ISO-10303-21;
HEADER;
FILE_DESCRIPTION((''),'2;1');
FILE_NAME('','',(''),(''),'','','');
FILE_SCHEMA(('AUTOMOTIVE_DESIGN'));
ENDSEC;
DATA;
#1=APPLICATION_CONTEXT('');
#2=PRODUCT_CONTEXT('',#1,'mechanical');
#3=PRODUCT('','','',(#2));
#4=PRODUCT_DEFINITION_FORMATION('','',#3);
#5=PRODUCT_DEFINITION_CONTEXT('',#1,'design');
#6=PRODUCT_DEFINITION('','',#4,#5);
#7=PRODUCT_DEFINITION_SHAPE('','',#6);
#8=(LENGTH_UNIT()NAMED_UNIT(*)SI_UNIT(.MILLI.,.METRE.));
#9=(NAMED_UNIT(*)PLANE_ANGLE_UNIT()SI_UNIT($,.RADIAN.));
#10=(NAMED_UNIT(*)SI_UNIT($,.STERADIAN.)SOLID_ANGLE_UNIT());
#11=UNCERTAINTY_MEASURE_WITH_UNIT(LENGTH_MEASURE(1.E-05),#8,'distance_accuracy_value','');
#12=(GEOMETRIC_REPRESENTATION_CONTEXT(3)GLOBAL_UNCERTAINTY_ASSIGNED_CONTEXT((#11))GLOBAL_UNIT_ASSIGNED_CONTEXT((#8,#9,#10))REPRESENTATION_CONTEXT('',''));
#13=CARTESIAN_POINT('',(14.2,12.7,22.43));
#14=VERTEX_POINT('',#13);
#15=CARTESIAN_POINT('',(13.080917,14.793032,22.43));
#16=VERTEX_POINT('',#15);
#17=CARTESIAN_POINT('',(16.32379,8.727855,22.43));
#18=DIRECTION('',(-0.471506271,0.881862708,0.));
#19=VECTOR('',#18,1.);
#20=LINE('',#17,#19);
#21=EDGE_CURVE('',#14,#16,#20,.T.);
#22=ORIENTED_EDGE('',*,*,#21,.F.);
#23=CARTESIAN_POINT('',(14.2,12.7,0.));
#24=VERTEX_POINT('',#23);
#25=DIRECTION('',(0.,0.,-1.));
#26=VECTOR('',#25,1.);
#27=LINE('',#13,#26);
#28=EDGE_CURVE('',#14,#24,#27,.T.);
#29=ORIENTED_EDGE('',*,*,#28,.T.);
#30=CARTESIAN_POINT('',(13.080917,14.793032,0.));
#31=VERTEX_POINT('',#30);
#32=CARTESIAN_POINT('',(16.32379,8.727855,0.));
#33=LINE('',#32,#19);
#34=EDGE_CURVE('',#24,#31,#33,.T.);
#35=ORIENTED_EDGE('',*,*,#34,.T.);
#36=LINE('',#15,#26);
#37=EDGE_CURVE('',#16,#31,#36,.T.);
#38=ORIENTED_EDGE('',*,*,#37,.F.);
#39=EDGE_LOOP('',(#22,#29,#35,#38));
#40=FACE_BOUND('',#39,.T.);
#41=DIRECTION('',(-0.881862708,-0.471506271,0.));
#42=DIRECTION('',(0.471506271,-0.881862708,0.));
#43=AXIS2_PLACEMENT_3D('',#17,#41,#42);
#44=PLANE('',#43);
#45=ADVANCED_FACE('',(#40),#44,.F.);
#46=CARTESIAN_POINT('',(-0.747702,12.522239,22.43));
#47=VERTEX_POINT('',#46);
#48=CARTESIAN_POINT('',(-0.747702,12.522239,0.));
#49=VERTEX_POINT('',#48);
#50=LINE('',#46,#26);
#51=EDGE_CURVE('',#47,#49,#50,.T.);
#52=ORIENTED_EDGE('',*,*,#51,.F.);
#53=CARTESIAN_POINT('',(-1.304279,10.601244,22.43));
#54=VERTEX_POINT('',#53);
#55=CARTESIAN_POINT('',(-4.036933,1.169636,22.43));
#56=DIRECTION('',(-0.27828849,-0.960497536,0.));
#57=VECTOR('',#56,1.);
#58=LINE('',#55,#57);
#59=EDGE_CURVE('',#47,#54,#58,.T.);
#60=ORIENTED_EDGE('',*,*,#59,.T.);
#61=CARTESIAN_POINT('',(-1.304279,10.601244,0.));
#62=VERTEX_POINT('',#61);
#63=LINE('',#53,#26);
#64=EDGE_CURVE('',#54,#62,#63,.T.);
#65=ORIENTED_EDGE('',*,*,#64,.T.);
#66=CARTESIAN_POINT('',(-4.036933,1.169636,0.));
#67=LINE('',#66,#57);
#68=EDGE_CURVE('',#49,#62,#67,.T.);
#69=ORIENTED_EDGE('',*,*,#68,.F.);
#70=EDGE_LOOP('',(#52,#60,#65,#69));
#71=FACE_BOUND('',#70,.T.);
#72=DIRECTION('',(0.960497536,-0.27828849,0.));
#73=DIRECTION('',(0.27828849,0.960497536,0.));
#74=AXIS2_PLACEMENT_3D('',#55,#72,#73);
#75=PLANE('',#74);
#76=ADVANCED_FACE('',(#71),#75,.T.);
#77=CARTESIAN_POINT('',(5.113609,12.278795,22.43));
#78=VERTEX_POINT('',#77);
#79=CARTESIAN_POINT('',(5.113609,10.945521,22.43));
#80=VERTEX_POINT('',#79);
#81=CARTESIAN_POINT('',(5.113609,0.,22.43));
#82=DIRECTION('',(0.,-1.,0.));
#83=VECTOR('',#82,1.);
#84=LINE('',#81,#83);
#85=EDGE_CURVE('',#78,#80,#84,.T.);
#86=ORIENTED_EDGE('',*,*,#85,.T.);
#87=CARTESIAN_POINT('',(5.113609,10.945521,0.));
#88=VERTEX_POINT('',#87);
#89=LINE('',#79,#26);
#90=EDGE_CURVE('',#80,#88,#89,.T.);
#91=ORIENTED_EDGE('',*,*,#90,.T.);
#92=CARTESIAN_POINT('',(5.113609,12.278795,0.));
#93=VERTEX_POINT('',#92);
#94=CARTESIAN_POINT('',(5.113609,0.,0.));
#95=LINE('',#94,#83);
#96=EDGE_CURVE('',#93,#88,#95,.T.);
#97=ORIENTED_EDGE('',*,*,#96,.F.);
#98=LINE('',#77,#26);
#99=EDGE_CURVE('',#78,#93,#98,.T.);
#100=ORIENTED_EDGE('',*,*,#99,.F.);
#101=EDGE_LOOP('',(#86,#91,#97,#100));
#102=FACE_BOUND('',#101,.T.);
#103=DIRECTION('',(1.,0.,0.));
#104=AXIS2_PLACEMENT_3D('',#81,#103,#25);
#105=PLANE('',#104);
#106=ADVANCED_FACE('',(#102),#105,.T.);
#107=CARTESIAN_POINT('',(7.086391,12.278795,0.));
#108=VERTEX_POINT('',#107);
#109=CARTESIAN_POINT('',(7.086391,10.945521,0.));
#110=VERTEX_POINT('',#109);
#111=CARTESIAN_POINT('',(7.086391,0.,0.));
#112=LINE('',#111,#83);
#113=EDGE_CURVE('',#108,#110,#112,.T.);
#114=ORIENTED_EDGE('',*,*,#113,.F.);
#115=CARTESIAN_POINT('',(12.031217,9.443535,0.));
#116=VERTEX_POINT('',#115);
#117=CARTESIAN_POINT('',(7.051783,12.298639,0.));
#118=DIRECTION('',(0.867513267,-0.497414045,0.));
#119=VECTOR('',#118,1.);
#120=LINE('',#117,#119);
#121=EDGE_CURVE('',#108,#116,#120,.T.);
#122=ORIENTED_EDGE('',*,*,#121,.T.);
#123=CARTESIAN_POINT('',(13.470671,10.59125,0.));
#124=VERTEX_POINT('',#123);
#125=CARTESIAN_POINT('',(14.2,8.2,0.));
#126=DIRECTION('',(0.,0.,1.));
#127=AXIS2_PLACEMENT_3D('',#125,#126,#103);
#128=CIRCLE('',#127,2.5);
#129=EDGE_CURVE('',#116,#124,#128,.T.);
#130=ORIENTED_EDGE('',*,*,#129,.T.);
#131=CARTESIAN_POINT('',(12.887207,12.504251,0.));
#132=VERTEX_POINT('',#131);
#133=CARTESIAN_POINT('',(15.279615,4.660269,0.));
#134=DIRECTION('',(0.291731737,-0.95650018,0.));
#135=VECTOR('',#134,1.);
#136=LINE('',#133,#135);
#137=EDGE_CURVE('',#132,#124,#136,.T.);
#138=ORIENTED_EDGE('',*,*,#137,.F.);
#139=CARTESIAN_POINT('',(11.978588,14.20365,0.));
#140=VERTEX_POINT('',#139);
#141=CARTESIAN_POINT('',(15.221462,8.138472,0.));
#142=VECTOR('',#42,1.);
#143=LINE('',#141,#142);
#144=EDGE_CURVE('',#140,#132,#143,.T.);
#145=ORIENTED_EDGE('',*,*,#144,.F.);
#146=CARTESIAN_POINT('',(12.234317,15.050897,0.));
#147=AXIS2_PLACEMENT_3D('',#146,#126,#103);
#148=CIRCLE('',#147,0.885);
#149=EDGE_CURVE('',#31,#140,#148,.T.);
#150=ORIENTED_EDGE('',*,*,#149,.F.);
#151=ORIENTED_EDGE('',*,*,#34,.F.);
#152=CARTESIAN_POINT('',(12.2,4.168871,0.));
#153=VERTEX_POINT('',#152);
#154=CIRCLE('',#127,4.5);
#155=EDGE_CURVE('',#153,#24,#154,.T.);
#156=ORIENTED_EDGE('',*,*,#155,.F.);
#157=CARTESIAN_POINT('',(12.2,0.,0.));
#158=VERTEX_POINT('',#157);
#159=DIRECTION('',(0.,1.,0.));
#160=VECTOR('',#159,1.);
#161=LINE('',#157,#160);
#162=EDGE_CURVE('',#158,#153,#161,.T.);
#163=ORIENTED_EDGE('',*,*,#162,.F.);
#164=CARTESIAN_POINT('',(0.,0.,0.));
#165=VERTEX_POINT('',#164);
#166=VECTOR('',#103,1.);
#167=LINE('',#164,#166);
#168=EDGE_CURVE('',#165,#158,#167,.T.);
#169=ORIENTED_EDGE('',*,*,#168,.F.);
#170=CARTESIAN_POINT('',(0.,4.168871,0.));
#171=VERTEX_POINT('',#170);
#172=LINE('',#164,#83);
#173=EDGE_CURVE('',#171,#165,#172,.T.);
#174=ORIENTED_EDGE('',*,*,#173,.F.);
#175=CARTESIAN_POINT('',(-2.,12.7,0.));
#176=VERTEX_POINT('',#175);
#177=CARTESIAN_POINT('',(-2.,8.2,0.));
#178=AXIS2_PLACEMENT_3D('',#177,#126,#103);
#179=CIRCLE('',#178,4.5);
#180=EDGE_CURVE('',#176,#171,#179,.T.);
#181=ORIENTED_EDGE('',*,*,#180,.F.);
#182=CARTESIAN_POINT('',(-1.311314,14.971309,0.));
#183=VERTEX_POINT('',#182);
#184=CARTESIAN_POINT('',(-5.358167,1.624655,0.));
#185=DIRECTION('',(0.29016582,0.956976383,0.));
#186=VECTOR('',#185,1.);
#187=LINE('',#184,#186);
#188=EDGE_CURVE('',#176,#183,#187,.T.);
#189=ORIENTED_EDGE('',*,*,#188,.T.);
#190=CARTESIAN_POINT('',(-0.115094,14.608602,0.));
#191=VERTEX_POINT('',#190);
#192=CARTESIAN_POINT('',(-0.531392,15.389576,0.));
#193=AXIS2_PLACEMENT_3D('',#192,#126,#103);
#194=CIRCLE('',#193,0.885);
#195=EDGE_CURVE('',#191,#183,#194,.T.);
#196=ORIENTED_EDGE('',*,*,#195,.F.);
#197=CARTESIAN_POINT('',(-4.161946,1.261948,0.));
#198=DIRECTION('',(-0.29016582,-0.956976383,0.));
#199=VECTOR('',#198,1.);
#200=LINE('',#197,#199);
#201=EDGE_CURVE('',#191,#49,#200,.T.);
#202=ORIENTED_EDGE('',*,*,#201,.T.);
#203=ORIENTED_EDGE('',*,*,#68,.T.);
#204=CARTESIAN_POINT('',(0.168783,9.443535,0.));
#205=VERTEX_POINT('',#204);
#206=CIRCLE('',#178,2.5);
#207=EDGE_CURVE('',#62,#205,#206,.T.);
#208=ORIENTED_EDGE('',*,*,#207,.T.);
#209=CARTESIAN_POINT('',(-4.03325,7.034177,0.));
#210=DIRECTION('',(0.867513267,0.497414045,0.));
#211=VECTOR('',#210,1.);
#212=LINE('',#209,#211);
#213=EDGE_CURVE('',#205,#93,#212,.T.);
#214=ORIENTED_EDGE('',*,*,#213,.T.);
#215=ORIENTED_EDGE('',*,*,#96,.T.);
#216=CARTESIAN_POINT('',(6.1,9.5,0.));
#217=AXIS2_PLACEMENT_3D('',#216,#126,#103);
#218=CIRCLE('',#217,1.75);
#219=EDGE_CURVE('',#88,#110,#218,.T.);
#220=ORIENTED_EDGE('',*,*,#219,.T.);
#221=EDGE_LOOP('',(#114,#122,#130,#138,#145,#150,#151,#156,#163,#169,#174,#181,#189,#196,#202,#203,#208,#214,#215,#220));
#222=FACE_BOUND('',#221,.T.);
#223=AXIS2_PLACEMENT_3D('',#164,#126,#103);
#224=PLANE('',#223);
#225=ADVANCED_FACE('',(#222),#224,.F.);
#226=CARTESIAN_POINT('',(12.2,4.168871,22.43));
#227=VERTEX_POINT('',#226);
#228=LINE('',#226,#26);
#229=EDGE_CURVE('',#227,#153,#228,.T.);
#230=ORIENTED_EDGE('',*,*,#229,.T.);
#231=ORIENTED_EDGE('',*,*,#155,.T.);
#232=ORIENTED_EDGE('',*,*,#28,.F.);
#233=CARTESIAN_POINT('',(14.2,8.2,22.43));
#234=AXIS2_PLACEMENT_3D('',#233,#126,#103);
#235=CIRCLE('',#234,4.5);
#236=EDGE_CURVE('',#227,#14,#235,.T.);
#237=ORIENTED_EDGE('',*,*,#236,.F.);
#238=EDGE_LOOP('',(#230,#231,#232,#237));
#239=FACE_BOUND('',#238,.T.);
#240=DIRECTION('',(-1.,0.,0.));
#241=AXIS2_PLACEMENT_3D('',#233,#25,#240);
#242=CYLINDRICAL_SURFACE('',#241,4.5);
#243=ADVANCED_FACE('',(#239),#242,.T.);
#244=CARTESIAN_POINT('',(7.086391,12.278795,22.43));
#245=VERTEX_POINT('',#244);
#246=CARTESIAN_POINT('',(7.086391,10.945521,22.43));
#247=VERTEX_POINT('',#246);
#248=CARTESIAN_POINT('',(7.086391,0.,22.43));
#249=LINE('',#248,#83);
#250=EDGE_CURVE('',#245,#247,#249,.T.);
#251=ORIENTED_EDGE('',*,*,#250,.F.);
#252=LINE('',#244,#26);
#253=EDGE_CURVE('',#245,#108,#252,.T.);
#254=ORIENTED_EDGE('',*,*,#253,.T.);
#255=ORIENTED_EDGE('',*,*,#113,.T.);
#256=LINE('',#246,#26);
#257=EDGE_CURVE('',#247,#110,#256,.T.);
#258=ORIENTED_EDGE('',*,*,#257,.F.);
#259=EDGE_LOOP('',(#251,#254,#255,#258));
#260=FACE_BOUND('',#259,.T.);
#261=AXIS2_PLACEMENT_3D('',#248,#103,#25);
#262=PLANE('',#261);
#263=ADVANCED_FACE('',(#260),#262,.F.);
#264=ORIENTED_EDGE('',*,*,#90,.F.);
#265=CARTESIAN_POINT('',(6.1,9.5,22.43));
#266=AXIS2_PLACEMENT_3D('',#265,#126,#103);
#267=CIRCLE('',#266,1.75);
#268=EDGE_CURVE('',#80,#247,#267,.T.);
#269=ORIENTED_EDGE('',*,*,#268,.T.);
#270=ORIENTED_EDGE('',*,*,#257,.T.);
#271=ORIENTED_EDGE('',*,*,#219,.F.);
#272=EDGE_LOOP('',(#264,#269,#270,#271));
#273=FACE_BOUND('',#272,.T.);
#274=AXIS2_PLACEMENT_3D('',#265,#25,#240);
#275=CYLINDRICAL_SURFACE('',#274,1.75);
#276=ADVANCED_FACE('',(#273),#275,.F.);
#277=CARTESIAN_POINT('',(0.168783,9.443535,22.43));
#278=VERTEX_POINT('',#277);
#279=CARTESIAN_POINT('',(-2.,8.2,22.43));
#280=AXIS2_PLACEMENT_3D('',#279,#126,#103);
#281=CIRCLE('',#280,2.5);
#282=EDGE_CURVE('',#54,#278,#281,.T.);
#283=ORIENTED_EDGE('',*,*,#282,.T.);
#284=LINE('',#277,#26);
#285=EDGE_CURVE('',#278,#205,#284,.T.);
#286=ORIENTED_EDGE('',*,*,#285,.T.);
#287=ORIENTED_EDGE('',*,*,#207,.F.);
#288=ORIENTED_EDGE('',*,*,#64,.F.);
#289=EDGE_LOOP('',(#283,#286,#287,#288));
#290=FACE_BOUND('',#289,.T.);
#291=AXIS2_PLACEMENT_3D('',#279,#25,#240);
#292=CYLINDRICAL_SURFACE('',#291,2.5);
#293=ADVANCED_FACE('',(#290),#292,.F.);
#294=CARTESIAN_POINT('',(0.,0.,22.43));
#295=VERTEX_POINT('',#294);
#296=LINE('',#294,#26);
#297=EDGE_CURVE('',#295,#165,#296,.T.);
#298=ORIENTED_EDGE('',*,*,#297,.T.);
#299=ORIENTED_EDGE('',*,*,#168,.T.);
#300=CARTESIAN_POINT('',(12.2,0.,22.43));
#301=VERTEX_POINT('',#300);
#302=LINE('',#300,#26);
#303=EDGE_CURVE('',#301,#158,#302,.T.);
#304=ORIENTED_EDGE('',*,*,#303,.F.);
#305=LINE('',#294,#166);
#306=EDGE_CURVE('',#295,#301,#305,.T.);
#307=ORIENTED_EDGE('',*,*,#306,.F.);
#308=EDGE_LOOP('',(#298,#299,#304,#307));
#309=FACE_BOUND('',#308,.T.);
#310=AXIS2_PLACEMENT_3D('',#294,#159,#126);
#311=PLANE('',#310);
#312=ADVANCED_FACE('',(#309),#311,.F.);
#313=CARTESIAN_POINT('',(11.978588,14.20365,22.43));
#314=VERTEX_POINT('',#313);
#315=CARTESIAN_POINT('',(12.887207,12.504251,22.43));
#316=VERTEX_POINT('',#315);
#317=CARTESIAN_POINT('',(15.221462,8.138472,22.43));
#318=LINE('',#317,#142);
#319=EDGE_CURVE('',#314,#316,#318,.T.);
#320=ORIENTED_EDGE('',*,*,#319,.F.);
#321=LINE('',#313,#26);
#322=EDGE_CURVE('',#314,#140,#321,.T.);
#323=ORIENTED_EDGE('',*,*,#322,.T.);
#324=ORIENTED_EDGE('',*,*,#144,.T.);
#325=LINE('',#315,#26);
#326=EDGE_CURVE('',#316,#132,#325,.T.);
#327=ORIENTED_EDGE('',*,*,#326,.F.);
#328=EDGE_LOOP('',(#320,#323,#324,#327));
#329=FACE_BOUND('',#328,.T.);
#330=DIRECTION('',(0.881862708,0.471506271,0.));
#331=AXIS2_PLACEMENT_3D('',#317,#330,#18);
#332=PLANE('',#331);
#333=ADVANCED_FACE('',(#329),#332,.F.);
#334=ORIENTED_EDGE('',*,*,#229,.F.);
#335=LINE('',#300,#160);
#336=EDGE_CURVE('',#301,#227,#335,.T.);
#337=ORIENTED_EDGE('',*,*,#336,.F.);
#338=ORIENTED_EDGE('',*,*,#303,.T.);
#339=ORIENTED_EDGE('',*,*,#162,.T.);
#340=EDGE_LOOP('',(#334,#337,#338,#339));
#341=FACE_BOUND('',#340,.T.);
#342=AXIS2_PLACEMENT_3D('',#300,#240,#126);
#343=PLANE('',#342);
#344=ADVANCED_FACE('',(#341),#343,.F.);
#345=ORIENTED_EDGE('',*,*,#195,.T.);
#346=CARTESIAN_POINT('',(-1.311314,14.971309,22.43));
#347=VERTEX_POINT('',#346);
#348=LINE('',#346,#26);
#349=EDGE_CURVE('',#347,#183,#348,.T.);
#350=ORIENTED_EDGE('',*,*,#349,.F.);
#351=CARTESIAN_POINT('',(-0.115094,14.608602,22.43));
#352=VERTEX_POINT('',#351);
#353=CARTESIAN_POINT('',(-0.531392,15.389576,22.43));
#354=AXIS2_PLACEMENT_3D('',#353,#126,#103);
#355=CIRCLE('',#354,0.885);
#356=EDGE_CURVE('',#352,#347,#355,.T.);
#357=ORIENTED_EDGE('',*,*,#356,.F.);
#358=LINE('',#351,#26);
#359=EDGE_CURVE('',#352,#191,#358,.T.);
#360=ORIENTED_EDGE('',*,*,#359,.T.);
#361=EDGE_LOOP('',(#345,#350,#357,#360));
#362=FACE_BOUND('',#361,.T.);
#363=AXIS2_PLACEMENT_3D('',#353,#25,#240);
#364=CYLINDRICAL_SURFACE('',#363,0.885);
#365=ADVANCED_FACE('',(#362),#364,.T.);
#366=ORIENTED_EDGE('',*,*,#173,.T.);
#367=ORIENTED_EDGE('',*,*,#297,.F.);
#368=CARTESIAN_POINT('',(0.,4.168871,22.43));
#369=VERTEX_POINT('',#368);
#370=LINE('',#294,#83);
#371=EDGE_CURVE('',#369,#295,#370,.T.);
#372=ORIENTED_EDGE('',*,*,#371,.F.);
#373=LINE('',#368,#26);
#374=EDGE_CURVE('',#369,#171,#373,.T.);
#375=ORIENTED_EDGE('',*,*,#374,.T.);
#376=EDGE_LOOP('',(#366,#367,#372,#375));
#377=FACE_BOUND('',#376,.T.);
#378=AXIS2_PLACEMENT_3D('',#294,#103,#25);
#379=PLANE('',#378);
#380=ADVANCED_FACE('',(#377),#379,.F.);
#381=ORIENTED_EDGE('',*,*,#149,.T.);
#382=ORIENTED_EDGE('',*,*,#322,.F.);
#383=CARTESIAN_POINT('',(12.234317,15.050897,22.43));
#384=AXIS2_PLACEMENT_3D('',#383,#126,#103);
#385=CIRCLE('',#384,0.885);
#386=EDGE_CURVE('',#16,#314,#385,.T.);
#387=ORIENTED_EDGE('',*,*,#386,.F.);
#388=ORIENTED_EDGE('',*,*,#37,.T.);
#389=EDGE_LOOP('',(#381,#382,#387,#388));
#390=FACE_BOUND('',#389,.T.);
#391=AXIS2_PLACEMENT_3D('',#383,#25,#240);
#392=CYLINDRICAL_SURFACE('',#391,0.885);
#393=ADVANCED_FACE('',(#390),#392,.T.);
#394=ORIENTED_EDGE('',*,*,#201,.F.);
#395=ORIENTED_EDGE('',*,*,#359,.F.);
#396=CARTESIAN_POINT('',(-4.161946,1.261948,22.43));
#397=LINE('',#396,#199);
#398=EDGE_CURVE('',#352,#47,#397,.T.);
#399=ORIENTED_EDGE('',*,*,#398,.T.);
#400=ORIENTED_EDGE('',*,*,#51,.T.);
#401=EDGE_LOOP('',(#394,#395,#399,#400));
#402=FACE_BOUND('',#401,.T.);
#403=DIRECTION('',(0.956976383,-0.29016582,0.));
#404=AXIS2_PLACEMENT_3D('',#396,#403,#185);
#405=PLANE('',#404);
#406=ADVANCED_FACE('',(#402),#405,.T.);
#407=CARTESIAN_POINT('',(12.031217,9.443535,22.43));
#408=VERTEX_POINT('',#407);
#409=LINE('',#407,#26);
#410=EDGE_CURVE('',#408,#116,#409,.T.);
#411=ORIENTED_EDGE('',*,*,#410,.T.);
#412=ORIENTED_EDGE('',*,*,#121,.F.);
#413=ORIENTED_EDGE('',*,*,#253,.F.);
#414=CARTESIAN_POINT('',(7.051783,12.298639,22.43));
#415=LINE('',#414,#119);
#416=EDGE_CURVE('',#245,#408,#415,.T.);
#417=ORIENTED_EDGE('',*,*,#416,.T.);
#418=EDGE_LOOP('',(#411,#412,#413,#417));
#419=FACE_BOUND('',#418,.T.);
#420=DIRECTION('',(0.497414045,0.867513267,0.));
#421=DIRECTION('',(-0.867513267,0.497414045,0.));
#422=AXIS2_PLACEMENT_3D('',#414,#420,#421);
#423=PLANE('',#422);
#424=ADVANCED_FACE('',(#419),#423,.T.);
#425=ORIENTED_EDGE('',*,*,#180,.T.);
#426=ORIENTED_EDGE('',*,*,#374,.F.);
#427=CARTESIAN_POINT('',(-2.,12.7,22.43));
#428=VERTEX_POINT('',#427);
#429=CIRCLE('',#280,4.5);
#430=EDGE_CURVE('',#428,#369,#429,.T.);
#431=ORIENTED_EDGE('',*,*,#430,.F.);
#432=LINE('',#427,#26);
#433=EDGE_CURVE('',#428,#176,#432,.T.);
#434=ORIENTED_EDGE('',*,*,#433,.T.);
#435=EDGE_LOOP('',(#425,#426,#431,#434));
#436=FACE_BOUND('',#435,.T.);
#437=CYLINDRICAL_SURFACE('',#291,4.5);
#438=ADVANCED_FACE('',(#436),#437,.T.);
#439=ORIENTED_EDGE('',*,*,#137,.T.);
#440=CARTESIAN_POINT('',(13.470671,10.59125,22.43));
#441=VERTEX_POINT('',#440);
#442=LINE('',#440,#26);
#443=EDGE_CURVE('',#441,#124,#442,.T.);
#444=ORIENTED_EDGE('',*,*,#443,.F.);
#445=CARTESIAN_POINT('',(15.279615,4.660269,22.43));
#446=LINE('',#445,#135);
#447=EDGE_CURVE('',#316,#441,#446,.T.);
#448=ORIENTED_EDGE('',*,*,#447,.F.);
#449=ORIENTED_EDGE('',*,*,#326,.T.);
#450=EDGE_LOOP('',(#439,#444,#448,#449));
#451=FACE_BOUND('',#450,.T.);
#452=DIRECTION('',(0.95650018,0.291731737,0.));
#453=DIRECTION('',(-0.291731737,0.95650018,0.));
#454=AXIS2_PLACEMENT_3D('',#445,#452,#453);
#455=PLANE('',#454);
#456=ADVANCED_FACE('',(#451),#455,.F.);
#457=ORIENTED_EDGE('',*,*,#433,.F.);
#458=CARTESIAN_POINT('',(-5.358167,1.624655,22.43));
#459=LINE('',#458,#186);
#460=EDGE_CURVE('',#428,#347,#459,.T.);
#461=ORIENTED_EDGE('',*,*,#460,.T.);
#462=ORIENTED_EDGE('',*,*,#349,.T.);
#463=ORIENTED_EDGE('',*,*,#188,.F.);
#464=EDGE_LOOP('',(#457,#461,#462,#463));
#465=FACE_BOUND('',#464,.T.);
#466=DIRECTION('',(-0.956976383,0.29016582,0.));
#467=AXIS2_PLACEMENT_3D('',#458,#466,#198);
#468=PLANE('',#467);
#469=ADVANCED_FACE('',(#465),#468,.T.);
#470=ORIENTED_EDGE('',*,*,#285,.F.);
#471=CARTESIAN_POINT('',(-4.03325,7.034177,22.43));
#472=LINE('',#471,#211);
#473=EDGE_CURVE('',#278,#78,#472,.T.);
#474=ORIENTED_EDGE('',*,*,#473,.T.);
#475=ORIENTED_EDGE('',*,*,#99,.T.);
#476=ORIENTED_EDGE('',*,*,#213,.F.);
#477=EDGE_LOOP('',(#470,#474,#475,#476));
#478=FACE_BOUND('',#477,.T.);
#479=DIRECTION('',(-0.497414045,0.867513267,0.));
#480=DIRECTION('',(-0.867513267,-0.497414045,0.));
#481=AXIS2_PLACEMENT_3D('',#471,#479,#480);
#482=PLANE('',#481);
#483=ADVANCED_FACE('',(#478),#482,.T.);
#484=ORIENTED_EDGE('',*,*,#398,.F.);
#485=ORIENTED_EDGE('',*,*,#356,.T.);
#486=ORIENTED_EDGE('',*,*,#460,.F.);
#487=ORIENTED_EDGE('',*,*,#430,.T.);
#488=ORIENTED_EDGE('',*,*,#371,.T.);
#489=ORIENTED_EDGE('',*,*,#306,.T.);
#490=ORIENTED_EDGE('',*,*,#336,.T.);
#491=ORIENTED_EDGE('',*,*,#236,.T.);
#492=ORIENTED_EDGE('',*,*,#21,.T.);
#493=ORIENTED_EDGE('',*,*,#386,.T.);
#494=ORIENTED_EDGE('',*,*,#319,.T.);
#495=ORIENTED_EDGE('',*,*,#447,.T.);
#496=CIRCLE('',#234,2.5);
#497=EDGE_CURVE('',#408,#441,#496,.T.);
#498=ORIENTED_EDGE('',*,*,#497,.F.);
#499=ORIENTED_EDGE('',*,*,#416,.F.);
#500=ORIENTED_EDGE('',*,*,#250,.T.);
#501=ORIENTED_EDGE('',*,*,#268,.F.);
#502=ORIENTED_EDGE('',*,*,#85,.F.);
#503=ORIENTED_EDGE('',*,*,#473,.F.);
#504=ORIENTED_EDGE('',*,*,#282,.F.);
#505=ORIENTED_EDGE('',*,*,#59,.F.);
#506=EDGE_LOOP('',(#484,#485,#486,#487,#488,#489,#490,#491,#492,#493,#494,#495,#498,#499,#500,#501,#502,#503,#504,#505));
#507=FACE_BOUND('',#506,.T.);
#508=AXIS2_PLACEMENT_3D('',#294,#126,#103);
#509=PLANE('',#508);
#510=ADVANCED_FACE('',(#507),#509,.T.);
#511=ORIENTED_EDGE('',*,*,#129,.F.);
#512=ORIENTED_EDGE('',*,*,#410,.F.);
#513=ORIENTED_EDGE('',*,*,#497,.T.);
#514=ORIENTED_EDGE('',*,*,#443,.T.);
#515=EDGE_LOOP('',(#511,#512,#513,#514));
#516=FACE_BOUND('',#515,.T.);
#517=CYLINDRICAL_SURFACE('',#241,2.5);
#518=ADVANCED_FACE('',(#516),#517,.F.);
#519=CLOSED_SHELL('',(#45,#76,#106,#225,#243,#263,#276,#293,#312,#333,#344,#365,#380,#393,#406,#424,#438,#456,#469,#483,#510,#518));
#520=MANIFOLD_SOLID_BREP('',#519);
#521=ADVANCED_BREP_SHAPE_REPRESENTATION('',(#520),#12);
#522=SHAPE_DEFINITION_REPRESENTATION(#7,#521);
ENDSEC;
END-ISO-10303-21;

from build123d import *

# Parameters (mm, degrees)
Y_KSEKLIK_EKSTR_ZYON1_DEPTH = 22.43


with BuildPart() as part:
    # Çizim1 → Yükseklik-Ekstrüzyon1 (new body)
    with BuildSketch(Plane.XY):
        with BuildLine():
            ThreePointArc((5.113608786, 10.945521488), (6.1, 7.75), (7.086391214, 10.945521488))
            Line((7.086391214, 10.945521488), (7.086391214, 12.27879517))
            Line((7.086391214, 12.27879517), (10.2961903, 10.438363203))
            Line((10.2961903, 10.438363203), (12.031216834, 9.443535113))
            ThreePointArc((12.031216834, 9.443535113), (15.758549535, 6.245281773), (13.470670658, 10.591250449))
            Line((13.470670658, 10.591250449), (12.887207184, 12.504250808))
            Line((12.887207184, 12.504250808), (11.978588262, 14.203649507))
            ThreePointArc((11.978588262, 14.203649507), (11.817033945, 15.831345203), (13.080916647, 14.793032346))
            Line((13.080916647, 14.793032346), (14.2, 12.7))
            ThreePointArc((14.2, 12.7), (18.58121444, 7.172887527), (12.2, 4.168871126))
            Line((12.2, 4.168871126), (12.2, 0))
            Line((12.2, 0), (0, 0))
            Line((0, 0), (0, 4.168871126))
            ThreePointArc((0, 4.168871126), (-6.38121444, 7.172887527), (-2, 12.7))
            Line((-2, 12.7), (-1.311314062, 14.971308793))
            ThreePointArc((-1.311314062, 14.971308793), (-0.274595552, 16.23649961), (-0.115093584, 14.608601518))
            Line((-0.115093584, 14.608601518), (-0.747701793, 12.522238911))
            Line((-0.747701793, 12.522238911), (-1.304278774, 10.601243839))
            ThreePointArc((-1.304278774, 10.601243839), (-3.544803783, 6.234400531), (0.168783166, 9.443535113))
            Line((0.168783166, 9.443535113), (1.9038097, 10.438363203))
            Line((1.9038097, 10.438363203), (5.113608786, 12.27879517))
            Line((5.113608786, 12.27879517), (5.113608786, 10.945521488))
        make_face()
    extrude(amount=Y_KSEKLIK_EKSTR_ZYON1_DEPTH)


solid = part.part
